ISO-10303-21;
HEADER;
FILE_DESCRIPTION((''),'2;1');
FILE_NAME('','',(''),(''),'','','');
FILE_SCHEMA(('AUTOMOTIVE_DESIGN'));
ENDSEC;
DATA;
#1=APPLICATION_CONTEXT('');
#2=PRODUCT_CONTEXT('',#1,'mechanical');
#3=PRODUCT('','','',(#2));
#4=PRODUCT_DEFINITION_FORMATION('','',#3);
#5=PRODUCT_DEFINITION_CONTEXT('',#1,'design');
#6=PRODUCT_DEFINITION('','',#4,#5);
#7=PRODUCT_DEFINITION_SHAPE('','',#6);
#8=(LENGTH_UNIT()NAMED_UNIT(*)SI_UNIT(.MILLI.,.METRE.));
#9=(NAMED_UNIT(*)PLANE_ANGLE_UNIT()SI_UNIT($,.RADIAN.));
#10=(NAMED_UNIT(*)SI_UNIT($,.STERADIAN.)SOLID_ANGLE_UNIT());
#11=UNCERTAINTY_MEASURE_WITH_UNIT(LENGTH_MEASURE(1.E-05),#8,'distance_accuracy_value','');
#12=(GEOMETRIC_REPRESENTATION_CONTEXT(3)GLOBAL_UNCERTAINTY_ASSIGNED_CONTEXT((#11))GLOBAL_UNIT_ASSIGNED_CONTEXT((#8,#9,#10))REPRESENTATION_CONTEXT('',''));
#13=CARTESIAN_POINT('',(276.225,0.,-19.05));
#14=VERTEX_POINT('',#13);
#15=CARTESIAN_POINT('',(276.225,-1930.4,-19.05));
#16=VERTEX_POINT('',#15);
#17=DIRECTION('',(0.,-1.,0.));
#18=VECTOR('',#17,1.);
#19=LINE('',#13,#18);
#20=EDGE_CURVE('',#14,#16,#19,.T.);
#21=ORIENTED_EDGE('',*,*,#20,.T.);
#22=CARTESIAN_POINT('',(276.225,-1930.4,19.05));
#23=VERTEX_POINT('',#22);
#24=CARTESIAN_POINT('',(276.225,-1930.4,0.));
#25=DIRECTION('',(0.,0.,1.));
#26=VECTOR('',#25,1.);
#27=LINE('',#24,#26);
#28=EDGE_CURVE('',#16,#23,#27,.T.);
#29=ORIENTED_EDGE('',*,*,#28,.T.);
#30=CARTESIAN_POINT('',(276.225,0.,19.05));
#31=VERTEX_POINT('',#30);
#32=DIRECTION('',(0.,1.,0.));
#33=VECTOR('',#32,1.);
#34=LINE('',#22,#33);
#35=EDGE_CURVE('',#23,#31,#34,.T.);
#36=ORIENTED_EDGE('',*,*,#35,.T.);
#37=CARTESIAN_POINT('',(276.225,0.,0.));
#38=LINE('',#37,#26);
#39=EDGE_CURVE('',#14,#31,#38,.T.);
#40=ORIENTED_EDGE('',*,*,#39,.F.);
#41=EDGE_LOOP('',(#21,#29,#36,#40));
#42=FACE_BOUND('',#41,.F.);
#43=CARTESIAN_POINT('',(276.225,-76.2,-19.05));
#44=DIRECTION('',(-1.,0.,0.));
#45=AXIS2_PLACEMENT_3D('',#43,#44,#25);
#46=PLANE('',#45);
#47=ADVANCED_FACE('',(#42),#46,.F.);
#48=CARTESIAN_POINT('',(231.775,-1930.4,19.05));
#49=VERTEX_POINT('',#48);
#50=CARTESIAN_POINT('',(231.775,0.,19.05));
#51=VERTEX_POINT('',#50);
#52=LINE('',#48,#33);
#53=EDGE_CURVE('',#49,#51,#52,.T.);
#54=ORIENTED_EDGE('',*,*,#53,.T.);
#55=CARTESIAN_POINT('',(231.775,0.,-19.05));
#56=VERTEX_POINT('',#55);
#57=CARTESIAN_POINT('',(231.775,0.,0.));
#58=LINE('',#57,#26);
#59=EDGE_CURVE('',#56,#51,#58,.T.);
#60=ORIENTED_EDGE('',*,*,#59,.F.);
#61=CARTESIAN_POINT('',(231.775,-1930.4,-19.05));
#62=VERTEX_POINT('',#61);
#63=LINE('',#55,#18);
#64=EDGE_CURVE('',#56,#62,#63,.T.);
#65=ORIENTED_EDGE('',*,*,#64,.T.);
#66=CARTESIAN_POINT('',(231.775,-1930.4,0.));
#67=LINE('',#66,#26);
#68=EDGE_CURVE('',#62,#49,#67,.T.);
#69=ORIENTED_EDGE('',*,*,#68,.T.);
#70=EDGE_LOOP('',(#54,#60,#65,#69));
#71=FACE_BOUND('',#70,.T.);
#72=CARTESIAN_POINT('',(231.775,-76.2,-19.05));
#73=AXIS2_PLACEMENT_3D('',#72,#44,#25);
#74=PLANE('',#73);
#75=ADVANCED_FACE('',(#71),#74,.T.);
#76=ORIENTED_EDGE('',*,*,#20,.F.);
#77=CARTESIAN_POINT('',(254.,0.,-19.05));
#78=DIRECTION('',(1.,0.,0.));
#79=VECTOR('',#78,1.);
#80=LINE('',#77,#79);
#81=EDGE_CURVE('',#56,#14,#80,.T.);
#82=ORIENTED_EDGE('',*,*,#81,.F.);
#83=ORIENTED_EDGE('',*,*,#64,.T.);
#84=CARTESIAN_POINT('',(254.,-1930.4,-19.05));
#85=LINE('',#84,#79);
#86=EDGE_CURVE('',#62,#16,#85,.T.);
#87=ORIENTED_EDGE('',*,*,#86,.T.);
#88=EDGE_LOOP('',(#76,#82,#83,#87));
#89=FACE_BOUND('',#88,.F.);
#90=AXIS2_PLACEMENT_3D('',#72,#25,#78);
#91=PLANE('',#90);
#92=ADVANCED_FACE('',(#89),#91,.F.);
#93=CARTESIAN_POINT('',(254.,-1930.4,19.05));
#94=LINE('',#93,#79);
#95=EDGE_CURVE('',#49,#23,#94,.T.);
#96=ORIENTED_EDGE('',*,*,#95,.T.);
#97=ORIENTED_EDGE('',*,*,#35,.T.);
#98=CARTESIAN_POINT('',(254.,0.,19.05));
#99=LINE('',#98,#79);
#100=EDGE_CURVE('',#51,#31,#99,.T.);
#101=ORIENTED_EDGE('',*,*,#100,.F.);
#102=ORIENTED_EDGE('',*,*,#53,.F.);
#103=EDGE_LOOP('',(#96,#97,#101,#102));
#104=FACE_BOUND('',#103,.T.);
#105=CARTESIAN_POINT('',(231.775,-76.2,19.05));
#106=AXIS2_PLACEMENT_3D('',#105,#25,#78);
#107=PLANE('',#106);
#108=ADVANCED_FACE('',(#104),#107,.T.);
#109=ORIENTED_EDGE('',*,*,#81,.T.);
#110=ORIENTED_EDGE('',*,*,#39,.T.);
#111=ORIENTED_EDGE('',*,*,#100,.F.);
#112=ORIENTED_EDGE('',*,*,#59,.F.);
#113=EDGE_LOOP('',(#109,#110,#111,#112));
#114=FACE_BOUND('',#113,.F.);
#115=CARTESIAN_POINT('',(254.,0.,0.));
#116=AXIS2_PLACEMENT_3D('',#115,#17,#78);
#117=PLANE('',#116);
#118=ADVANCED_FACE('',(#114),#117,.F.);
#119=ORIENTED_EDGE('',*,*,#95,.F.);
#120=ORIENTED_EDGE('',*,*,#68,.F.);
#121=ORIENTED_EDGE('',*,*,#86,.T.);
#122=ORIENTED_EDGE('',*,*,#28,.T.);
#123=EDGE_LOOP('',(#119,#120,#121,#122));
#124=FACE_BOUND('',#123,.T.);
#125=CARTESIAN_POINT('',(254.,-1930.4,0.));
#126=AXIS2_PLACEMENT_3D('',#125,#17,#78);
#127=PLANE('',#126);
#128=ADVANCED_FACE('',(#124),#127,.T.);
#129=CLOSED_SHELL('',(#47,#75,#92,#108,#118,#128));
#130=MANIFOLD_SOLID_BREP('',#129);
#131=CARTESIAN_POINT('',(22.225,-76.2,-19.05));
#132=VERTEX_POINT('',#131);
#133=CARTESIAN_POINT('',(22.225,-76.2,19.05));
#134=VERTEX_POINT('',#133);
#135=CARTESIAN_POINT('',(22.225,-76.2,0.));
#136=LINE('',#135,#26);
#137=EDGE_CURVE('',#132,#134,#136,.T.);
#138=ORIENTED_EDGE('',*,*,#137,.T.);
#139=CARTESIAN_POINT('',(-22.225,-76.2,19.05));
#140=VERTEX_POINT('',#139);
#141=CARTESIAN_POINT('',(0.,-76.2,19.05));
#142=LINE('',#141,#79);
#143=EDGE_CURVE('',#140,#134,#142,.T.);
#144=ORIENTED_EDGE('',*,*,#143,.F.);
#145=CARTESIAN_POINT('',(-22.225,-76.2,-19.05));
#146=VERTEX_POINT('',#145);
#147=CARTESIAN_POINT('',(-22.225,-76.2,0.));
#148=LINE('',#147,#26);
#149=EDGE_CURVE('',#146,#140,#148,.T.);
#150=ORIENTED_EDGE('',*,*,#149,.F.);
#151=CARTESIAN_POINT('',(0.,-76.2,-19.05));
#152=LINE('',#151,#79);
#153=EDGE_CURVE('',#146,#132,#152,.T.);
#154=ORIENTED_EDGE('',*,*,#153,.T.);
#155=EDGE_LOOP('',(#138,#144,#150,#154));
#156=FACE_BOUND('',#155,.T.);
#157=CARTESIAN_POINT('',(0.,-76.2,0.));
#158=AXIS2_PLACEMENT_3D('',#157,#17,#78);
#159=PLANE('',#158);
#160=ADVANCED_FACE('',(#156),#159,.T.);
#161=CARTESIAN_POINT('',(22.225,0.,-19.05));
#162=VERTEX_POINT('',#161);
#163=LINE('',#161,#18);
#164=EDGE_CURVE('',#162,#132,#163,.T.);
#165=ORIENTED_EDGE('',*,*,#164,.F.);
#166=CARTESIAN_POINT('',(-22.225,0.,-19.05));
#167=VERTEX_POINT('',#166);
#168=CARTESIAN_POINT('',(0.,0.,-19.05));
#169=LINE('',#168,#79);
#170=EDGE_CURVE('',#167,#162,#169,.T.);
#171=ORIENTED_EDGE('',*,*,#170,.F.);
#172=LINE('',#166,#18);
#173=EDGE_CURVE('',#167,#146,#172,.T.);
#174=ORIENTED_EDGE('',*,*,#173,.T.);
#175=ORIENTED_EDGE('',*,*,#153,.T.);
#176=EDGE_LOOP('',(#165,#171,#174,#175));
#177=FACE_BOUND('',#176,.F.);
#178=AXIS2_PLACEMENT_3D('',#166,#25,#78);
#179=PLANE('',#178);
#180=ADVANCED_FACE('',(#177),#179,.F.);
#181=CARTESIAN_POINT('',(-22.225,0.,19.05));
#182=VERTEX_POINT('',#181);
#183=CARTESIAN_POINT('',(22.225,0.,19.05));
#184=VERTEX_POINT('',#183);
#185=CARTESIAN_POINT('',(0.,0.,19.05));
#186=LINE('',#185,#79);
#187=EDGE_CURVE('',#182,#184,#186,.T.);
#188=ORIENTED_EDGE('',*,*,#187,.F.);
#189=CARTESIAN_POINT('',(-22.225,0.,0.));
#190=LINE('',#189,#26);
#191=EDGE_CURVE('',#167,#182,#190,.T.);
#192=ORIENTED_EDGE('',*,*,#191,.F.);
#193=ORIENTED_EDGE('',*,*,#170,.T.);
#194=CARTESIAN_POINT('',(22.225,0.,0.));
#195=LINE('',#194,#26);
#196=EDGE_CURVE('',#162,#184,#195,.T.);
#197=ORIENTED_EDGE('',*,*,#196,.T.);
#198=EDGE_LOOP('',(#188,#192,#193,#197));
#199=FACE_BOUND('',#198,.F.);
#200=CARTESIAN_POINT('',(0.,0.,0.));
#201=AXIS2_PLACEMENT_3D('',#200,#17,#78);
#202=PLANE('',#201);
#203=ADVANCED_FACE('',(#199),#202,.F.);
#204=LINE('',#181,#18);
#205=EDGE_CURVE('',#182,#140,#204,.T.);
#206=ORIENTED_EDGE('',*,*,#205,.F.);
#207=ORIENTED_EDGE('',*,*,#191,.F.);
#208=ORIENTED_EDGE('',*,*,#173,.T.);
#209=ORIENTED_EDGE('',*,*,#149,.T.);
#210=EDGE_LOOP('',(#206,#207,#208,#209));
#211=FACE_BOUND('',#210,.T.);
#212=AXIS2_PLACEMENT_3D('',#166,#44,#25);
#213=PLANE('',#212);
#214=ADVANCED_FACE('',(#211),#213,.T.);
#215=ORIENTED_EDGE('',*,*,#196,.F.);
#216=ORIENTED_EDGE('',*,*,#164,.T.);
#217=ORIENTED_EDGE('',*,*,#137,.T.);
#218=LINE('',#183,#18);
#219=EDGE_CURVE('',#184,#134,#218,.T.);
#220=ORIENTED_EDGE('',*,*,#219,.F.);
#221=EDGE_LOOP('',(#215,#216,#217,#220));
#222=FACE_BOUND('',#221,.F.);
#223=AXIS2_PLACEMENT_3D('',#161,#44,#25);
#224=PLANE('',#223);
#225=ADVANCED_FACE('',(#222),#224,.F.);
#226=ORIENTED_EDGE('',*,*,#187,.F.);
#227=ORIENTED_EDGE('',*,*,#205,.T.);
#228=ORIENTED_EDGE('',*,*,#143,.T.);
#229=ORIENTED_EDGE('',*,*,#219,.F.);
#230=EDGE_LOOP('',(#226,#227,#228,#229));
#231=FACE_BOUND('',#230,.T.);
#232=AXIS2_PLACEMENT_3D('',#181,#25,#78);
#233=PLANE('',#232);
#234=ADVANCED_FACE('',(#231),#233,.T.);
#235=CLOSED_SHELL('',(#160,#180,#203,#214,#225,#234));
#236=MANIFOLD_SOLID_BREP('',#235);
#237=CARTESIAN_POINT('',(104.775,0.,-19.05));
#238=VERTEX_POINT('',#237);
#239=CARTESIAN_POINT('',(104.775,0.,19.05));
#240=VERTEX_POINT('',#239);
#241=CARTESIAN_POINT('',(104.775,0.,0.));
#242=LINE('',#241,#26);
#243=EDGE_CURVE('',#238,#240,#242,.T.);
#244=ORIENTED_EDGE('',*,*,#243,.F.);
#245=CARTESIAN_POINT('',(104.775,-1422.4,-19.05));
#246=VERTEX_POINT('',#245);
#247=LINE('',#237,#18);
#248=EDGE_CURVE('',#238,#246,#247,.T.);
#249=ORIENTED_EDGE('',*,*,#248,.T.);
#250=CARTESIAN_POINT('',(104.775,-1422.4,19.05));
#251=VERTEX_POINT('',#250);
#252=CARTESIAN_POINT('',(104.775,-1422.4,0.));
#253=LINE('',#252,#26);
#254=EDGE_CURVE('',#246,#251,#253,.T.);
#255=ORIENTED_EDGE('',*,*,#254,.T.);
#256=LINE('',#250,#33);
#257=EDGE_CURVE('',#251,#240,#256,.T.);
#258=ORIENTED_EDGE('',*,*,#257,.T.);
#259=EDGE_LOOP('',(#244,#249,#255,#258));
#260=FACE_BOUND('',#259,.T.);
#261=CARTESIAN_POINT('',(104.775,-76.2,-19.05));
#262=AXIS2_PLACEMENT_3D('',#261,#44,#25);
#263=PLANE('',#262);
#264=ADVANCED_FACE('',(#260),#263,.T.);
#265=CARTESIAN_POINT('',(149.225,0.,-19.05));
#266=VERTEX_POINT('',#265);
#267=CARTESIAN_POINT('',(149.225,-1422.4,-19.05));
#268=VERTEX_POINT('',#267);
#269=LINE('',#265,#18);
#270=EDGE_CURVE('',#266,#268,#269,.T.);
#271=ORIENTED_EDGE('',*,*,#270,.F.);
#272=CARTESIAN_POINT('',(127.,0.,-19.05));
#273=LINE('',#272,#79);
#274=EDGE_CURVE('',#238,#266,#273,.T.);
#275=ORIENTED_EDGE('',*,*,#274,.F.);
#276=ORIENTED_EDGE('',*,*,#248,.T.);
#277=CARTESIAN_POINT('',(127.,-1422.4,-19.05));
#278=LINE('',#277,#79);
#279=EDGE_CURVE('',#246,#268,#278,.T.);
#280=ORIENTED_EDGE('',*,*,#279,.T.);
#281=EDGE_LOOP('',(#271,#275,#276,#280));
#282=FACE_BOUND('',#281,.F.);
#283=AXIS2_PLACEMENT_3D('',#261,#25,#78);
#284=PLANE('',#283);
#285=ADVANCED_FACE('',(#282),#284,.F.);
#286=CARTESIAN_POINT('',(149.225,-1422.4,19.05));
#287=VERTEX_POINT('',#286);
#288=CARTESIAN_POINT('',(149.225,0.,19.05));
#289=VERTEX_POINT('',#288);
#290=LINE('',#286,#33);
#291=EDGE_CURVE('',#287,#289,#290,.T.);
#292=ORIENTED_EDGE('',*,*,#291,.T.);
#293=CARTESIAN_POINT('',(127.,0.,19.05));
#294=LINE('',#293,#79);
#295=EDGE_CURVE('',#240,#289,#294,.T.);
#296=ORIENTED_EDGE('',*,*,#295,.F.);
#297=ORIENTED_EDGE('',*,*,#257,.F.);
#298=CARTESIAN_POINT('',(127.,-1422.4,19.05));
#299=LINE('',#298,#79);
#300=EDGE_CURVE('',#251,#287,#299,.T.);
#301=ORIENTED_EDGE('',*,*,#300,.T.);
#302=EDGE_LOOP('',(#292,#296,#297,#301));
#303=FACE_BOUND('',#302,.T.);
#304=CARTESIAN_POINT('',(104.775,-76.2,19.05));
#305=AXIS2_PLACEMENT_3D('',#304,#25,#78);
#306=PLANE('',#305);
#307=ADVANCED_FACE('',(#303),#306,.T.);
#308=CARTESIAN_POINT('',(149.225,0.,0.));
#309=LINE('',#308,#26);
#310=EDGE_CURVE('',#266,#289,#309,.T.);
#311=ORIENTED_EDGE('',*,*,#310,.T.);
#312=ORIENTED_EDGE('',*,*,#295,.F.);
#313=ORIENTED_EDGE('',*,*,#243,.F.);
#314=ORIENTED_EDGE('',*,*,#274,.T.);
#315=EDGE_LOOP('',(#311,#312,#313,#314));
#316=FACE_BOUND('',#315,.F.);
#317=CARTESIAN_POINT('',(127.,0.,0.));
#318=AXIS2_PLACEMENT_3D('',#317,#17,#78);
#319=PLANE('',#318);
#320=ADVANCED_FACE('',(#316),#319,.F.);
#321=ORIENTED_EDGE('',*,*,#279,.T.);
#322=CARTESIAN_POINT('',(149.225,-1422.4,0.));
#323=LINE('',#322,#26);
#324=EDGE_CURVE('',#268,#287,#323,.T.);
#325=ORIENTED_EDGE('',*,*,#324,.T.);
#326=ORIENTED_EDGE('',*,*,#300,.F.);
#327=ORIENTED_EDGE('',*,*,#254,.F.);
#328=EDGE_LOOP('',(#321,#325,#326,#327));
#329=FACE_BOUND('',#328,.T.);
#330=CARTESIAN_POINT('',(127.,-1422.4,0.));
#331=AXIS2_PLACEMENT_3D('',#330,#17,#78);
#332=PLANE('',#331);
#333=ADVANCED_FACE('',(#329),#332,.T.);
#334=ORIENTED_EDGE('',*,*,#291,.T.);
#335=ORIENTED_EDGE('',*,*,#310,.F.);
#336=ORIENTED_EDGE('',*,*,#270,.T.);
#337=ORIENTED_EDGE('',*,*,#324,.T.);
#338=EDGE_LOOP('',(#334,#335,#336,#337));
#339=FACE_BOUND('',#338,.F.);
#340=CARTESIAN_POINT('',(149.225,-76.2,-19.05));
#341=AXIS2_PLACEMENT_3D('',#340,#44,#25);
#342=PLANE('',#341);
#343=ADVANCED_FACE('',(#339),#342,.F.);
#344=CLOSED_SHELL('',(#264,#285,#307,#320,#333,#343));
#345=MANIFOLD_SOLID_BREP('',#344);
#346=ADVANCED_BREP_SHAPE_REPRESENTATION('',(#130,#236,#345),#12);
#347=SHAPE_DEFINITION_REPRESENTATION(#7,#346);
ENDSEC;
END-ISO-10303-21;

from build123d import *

# Parameters (mm, degrees)
F0_W     = 44.45
F0_H     = 38.1
F1_DEPTH = 76.2
F3_DEPTH = 1346.2
F5_DEPTH = 1854.2


with BuildPart() as f1:
    # F0 (on Front) → F1 (new body)
    with BuildSketch(Plane.XZ):
        Rectangle(F0_W, F0_H)
    extrude(amount=F1_DEPTH)


with BuildPart() as f2_1:
    # F2: copy of F1
    add(f1.part.moved(Location((127, 0, 0))))

    # F3 (add): a face of the model
    f3_faces = [f2_1.faces().sort_by_distance(p)[0] for p in [
        (127, -76.2, 0),
    ]]
    extrude(f3_faces, amount=F3_DEPTH)


with BuildPart() as f4_1:
    # F4: copy of F1
    add(f1.part.moved(Location((254, 0, 0))))

    # F5 (add): a face of the model
    f5_faces = [f4_1.faces().sort_by_distance(p)[0] for p in [
        (254, -76.2, 0),
    ]]
    extrude(f5_faces, amount=F5_DEPTH)


solid = Compound([f1.part, f2_1.part, f4_1.part])
